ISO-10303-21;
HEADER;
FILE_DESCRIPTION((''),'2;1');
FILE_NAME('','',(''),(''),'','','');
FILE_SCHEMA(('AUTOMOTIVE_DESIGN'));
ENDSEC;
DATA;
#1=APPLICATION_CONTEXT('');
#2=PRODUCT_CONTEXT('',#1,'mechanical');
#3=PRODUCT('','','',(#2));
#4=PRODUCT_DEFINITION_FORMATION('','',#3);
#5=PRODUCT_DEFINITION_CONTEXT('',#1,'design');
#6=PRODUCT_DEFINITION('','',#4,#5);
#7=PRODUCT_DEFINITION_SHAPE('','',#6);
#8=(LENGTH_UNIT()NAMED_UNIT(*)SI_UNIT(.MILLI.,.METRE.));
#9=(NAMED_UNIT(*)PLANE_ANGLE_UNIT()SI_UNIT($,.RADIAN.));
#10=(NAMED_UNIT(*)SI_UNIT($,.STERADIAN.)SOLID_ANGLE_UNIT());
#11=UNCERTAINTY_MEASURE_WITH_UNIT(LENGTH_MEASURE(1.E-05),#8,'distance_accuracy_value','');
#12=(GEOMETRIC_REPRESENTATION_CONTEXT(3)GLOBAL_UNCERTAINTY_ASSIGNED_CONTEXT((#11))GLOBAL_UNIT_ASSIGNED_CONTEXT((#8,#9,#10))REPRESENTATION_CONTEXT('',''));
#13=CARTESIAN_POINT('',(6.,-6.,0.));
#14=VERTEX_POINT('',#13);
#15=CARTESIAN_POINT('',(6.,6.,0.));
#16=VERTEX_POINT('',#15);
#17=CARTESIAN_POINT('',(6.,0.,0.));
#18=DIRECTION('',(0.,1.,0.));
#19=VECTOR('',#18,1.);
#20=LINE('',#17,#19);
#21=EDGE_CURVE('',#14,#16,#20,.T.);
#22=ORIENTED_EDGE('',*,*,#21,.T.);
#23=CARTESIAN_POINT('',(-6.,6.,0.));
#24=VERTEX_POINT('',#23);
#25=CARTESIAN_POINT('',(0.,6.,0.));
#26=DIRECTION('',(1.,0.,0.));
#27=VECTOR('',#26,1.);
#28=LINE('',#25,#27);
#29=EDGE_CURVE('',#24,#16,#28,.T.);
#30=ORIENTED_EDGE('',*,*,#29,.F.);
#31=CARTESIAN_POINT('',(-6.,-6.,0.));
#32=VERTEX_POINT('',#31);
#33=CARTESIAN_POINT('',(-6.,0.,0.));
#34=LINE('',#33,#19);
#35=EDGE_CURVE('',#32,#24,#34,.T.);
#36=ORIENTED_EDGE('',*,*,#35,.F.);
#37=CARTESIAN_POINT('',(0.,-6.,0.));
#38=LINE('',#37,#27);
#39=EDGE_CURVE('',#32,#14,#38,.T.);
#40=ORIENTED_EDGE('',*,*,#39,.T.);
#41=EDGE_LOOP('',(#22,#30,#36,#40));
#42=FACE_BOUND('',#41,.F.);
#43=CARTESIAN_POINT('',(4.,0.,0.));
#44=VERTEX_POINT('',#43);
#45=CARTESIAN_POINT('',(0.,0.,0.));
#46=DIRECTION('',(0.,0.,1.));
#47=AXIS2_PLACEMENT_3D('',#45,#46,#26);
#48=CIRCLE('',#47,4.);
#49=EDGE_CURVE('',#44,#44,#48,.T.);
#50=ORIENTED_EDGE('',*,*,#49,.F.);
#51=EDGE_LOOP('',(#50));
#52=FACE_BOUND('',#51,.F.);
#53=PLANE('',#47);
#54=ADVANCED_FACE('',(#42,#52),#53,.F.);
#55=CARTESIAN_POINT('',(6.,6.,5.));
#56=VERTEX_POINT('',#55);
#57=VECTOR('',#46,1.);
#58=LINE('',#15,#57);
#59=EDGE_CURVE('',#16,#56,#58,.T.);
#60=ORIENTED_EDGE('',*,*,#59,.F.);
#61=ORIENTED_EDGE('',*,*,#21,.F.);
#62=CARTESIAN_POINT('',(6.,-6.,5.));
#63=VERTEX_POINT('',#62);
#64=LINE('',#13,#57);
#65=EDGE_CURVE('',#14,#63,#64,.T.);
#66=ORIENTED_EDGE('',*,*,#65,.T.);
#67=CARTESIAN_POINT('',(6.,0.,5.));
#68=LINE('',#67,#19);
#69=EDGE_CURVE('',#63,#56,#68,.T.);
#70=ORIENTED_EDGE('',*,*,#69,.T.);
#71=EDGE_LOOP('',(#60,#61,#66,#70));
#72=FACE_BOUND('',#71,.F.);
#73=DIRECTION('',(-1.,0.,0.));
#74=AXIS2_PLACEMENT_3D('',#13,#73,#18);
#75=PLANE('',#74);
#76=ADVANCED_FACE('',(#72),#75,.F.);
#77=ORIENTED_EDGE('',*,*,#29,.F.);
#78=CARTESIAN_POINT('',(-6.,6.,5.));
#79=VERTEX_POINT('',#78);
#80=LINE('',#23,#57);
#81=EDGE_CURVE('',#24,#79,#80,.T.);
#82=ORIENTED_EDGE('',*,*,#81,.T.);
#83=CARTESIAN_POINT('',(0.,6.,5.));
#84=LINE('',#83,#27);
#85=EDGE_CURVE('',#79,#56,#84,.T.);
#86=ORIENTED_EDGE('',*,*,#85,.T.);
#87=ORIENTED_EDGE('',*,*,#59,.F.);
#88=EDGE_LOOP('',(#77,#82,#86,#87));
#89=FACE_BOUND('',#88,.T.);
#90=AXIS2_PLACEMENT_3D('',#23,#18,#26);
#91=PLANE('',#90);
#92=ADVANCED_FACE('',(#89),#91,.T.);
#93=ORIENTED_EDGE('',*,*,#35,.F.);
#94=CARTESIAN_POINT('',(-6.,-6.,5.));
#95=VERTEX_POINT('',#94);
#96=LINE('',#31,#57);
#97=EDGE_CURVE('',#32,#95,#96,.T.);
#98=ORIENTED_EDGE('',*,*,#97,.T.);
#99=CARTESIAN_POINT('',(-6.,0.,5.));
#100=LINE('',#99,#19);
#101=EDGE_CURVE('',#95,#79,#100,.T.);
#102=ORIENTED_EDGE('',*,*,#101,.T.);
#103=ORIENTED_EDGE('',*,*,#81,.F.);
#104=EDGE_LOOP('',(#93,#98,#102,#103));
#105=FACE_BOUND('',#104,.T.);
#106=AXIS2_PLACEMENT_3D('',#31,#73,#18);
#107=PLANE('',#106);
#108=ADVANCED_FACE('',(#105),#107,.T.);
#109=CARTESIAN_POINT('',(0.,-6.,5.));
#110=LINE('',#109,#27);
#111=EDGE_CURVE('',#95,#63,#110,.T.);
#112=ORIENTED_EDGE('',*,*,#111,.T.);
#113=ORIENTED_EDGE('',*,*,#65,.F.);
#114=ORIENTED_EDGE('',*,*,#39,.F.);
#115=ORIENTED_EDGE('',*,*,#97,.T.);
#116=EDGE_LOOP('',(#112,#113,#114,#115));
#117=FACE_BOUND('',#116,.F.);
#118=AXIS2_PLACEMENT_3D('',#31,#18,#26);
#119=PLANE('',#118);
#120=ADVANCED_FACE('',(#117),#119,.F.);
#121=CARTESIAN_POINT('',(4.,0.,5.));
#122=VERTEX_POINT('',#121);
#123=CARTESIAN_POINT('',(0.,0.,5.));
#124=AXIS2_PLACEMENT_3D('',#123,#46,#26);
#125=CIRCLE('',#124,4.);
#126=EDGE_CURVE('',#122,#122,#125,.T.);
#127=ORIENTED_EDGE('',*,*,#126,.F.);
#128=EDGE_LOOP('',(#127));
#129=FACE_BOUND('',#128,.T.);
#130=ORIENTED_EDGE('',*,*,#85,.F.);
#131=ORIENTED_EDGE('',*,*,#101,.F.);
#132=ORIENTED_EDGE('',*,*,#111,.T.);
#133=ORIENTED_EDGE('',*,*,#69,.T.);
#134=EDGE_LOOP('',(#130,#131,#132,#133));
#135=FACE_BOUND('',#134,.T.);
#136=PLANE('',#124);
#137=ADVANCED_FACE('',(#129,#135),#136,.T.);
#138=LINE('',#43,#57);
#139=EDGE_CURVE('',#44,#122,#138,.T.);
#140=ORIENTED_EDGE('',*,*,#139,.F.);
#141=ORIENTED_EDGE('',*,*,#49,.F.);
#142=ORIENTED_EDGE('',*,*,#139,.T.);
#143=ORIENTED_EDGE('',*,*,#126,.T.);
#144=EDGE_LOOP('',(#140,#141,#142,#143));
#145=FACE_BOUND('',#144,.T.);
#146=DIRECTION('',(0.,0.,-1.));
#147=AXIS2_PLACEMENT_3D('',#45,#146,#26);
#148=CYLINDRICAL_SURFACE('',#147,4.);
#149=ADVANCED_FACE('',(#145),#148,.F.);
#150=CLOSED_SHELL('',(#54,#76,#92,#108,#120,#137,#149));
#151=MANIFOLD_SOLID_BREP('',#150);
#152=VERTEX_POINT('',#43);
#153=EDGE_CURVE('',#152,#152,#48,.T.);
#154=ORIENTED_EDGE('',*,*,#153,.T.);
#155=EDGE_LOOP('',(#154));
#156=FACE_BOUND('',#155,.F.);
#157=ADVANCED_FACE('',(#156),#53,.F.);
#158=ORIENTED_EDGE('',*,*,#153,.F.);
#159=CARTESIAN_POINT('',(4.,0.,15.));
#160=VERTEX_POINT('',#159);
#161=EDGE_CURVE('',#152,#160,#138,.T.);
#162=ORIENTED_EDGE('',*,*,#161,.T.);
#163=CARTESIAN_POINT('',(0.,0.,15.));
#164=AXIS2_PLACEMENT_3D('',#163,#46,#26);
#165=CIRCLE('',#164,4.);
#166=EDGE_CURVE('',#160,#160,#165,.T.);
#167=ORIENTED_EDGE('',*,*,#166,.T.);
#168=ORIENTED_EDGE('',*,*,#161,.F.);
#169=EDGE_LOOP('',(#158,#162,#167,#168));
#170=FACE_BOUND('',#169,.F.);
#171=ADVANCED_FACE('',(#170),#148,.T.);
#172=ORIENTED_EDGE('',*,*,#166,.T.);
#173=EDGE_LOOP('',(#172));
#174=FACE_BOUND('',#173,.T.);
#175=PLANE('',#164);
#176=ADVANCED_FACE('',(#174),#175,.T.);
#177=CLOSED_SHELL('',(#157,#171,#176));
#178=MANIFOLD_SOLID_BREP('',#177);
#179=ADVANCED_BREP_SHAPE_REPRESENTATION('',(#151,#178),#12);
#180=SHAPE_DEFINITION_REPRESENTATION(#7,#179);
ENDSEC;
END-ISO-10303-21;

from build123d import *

# Parameters (mm, degrees)
F0_W     = 12
F0_H     = 12
F0_R     = 4
F1_DEPTH = 5
F2_R     = 4
F3_DEPTH = 15


with BuildPart() as f1:
    # F0 (on Top) → F1 (new body)
    with BuildSketch(Plane.XY):
        Rectangle(F0_W, F0_H)
        Circle(F0_R, mode=Mode.SUBTRACT)
    extrude(amount=F1_DEPTH)


with BuildPart() as f3:
    # F2 (on Top) → F3 (new body)
    with BuildSketch(Plane.XY):
        Circle(F2_R)
    extrude(amount=F3_DEPTH)


solid = Compound([f1.part, f3.part])
